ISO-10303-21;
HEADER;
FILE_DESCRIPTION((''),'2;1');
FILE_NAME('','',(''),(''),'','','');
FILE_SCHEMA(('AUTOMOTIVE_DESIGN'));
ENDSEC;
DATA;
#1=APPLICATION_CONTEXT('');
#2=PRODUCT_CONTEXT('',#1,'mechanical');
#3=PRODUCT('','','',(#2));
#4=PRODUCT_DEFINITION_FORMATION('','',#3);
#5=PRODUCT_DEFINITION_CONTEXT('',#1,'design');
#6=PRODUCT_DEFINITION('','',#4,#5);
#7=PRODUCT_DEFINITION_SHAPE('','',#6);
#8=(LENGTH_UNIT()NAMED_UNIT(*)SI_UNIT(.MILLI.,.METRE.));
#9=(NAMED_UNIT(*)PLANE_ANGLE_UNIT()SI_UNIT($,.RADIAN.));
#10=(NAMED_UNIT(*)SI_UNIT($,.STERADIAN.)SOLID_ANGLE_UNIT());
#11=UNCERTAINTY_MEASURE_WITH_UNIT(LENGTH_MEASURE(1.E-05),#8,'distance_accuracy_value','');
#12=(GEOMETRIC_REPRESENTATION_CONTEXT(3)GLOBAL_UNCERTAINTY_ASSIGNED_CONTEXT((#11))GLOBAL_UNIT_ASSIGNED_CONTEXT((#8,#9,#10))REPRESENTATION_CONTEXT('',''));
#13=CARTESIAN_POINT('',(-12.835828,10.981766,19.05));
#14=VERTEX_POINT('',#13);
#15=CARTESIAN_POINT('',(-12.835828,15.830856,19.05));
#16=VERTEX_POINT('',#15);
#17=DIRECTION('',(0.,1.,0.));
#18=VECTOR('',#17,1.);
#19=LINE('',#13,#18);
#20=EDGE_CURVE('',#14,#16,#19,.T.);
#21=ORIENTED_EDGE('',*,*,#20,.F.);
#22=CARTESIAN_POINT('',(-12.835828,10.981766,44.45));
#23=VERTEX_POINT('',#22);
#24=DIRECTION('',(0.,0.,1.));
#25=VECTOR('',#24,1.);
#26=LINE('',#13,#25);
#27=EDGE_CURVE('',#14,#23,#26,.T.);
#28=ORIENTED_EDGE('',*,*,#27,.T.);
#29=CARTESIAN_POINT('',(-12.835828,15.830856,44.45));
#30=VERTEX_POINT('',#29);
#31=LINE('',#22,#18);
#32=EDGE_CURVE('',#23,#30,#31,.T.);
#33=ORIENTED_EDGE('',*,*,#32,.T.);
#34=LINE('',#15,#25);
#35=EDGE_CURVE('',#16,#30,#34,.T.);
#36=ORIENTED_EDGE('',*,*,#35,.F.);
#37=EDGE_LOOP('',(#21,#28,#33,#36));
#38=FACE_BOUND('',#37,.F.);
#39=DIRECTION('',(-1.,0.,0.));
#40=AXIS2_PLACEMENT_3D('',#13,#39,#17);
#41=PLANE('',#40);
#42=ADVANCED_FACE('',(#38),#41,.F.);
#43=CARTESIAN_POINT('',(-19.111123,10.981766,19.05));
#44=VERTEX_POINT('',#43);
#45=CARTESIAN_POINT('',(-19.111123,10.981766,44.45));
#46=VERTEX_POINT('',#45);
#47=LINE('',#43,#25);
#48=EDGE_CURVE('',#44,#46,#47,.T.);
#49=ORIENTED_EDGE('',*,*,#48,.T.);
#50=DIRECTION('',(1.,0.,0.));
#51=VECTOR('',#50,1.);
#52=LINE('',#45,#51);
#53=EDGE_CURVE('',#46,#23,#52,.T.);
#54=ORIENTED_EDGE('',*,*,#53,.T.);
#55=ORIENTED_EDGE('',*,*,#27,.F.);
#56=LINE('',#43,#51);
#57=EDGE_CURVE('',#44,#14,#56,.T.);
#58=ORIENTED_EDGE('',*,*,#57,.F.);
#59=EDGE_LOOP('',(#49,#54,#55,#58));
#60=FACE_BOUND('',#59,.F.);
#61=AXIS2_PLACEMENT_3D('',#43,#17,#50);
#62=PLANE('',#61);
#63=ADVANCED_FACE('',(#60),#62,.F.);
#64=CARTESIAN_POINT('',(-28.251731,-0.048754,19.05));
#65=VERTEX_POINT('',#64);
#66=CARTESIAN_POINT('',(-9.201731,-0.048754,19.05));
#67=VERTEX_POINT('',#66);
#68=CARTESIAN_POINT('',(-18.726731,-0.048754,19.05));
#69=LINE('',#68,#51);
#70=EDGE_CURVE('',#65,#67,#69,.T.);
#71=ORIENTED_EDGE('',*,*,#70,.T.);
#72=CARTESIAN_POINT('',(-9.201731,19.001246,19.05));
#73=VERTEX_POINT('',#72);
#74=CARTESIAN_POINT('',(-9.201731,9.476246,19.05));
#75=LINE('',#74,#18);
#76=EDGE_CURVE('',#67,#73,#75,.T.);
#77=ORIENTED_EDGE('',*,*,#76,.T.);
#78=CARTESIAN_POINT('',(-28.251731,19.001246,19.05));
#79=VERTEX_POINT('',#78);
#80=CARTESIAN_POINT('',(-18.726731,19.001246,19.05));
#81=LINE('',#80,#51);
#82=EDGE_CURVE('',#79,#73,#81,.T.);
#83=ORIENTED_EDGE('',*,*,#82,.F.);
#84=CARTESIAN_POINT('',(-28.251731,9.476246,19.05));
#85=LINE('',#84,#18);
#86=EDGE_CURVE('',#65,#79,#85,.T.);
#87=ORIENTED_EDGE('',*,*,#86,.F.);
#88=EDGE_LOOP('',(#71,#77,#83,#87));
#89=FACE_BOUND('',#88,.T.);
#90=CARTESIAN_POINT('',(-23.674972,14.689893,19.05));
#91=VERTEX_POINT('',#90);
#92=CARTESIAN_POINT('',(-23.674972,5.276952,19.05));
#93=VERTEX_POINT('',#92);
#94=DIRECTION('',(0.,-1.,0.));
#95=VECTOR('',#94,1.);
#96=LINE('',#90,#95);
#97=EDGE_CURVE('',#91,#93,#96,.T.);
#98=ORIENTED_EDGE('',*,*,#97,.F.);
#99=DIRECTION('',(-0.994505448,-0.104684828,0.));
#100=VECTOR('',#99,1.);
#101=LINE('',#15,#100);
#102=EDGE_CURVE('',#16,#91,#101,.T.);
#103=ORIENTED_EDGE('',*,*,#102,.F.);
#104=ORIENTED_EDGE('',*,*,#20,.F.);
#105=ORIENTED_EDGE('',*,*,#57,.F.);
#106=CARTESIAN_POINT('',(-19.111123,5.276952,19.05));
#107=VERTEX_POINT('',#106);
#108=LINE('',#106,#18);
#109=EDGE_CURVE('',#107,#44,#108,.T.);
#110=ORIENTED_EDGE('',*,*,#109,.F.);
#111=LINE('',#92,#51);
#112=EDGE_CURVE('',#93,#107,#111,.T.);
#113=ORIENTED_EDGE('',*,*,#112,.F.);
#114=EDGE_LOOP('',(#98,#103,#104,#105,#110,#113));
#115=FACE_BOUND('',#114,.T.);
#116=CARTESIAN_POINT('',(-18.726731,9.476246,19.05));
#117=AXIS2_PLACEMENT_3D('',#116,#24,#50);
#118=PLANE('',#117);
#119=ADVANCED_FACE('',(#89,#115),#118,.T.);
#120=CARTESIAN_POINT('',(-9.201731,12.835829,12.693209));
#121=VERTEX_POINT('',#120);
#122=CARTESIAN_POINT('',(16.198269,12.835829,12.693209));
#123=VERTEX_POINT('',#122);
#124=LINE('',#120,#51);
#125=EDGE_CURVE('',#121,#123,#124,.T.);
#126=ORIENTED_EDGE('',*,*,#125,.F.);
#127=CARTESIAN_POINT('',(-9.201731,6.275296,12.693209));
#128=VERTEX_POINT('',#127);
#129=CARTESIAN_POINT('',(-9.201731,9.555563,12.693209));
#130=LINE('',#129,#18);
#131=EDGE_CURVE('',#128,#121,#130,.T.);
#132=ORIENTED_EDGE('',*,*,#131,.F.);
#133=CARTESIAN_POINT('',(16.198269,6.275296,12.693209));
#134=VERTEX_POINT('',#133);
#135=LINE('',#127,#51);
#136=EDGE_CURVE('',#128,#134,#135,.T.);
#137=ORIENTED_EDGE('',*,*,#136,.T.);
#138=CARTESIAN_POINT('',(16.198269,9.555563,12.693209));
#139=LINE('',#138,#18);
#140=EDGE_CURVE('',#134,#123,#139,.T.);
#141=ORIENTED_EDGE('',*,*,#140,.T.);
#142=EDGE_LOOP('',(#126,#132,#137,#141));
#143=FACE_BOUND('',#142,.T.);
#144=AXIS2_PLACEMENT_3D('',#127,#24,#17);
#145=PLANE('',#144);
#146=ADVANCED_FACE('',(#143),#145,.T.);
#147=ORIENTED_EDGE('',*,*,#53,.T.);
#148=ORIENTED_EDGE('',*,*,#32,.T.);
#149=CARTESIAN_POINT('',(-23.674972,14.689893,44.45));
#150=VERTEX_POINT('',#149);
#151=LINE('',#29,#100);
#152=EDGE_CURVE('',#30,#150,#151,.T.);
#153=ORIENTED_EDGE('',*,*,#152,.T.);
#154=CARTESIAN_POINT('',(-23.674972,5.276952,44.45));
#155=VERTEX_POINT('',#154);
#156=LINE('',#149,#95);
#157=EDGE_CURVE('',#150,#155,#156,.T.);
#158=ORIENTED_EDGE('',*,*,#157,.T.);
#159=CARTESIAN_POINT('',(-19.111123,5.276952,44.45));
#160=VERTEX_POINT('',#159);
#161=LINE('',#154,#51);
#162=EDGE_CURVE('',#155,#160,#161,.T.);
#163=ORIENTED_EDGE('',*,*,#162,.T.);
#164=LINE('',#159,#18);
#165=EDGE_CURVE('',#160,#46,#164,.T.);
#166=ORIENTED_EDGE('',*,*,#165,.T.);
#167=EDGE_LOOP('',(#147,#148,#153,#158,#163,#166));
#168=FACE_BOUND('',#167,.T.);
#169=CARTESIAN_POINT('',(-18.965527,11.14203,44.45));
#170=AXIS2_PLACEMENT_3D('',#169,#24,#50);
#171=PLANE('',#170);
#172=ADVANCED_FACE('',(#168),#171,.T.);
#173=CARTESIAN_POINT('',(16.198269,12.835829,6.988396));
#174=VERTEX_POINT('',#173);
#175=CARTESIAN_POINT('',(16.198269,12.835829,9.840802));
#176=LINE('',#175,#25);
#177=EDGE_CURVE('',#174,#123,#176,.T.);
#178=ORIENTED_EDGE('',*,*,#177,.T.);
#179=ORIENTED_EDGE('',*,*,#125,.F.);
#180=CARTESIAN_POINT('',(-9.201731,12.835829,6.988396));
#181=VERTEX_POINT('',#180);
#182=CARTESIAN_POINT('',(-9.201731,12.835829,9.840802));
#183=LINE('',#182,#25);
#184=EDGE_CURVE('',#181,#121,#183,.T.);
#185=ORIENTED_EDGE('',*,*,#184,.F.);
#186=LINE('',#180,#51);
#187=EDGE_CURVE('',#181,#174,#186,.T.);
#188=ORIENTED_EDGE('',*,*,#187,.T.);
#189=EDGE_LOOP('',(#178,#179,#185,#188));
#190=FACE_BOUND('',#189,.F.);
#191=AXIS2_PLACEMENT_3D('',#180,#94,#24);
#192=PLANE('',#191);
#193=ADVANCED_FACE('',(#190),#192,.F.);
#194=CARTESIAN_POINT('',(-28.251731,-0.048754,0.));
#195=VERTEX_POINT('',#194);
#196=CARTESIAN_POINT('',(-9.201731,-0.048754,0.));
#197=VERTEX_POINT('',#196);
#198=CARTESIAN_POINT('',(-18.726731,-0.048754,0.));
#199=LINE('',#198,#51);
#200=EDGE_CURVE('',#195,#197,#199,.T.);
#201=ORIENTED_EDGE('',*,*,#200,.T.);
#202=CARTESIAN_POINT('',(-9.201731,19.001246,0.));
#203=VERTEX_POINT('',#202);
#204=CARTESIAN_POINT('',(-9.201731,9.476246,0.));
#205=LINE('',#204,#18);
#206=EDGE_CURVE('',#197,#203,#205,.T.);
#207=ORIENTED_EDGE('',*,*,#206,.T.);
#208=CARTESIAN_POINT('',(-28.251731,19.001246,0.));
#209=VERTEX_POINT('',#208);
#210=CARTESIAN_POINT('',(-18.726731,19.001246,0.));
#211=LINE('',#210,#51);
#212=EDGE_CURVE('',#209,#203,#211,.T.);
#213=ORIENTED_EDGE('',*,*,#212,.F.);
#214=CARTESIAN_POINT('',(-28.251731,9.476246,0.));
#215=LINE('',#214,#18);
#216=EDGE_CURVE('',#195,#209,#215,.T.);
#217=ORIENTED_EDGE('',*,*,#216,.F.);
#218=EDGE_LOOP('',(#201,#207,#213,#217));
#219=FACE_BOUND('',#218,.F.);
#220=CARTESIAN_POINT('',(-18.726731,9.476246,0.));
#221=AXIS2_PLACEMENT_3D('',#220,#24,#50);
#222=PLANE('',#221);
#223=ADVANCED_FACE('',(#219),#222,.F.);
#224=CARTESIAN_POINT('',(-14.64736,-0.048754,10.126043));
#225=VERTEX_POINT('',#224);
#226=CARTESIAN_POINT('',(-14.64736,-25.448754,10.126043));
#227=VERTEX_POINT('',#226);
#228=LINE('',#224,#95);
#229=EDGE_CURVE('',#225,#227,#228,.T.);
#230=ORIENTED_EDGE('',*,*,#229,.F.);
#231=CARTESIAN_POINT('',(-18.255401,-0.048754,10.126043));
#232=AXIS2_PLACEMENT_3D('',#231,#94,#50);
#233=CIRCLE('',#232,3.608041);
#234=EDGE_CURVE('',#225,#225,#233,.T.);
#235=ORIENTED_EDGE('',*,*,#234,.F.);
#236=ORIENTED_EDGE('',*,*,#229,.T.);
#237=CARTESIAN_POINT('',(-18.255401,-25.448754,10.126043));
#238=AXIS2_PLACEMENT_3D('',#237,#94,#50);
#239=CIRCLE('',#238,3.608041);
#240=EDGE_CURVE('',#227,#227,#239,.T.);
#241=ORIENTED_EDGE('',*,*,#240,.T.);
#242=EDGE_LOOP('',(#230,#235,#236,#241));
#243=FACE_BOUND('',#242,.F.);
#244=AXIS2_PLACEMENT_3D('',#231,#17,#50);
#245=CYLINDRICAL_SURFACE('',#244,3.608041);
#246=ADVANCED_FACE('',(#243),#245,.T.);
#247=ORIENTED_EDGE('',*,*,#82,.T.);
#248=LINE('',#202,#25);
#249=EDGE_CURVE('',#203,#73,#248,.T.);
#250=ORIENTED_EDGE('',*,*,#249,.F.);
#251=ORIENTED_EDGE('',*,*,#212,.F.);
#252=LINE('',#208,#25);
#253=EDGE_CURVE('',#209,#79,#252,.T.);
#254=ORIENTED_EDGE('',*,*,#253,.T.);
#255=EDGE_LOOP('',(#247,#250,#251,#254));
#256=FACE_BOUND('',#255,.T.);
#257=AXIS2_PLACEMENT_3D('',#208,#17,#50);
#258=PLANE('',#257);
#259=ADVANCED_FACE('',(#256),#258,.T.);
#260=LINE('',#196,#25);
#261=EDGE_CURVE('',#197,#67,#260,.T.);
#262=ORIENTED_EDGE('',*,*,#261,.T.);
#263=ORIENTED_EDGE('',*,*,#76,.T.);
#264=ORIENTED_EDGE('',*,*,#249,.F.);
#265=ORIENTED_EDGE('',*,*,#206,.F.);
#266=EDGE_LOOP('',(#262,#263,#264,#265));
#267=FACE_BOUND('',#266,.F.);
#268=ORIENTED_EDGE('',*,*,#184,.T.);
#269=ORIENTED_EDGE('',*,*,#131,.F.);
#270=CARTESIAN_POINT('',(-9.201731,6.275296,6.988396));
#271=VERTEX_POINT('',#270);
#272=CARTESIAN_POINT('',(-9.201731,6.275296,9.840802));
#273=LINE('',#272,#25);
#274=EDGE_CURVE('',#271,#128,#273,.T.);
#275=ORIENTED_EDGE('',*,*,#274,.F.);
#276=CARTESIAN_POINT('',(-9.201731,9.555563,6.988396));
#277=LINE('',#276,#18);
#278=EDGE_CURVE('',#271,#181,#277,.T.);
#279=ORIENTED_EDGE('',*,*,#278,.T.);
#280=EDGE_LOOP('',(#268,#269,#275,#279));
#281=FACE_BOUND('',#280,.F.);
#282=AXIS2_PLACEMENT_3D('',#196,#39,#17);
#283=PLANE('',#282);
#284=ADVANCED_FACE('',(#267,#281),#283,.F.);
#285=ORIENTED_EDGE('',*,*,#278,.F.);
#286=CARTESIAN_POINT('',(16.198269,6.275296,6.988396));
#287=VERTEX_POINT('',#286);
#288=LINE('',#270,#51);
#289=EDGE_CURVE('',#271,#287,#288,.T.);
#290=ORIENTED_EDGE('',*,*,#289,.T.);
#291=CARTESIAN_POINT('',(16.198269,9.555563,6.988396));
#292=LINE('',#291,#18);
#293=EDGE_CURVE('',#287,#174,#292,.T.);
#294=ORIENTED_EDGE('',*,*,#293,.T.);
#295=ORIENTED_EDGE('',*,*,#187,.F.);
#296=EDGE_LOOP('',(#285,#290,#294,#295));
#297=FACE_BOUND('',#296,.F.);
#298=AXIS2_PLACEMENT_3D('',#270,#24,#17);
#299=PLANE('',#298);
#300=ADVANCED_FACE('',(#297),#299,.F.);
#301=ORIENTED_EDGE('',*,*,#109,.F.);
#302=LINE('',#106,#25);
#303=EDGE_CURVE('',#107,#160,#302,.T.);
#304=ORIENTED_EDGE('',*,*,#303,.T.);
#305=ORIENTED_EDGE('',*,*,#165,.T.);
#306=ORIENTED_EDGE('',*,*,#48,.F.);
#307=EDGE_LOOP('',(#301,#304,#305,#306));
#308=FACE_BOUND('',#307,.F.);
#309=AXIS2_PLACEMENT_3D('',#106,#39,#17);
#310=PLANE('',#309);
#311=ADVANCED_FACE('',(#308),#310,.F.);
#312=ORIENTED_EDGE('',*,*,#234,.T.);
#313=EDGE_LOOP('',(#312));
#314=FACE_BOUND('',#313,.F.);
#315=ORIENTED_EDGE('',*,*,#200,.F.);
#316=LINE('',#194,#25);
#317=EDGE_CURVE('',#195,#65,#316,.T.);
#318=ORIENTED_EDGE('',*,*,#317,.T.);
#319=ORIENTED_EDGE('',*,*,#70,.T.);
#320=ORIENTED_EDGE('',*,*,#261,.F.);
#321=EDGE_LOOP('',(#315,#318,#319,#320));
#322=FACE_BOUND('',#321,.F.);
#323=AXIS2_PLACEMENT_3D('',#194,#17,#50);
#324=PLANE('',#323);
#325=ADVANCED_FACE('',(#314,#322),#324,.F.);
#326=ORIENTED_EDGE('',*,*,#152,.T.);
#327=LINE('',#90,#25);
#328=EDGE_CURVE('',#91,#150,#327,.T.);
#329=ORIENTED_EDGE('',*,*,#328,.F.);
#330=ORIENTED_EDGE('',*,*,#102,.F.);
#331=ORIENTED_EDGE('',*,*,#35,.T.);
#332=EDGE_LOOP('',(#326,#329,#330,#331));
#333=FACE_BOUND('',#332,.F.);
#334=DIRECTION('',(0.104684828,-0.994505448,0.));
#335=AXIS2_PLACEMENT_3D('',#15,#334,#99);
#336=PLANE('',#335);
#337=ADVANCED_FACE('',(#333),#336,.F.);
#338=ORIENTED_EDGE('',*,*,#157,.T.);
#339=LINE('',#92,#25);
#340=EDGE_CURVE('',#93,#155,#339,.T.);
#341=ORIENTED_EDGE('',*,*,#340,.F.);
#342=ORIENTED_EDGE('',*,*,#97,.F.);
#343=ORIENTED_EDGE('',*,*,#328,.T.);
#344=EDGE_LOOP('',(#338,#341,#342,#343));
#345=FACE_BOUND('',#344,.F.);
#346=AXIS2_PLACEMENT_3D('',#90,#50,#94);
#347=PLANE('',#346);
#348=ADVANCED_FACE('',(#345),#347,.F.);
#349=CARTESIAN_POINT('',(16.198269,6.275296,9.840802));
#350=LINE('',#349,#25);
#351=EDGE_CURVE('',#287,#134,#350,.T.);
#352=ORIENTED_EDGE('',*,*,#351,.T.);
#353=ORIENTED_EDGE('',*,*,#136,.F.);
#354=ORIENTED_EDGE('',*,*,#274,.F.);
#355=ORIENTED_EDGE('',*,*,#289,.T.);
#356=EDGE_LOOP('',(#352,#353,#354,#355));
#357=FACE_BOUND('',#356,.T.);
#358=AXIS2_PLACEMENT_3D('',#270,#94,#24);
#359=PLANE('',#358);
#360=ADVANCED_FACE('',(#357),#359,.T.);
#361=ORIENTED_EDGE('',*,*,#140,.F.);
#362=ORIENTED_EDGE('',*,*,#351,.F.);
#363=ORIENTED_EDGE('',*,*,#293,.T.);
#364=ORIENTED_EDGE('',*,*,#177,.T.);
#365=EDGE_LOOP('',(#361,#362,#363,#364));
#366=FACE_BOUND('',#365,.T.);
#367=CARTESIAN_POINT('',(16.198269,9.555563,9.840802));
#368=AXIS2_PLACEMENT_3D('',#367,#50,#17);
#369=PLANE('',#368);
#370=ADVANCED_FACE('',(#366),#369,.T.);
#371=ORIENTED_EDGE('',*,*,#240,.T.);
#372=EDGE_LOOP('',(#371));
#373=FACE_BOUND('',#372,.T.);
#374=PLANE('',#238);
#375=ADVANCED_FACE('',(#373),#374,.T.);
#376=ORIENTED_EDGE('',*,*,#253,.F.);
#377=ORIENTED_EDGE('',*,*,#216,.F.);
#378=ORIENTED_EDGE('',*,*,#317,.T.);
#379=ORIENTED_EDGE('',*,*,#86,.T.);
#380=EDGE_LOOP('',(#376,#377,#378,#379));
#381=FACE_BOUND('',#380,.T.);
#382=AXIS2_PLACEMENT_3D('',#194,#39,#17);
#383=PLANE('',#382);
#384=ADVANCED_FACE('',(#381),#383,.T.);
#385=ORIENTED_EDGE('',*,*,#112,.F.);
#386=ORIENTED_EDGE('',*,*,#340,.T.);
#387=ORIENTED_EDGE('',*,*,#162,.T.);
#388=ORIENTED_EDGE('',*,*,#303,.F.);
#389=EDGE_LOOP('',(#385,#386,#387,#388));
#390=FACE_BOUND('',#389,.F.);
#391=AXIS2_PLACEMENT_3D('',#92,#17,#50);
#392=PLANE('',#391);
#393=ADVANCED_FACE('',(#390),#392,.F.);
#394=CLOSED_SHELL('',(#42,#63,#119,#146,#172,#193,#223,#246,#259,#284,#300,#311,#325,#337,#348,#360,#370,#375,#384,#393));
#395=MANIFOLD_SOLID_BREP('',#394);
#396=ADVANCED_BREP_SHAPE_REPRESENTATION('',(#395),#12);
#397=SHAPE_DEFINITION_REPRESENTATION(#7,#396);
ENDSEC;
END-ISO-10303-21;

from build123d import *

# Parameters (mm, degrees)
F0_W     = 19.05
F0_H     = 19.05
F1_DEPTH = 19.05
F2_R     = 3.608041
F3_DEPTH = 25.4
F4_W     = 6.560533
F4_H     = 5.704813
F5_DEPTH = 25.4
F7_DEPTH = 25.4


with BuildPart() as f1:
    # F0 (on Top) → F1 (new body)
    with BuildSketch(Plane.XY):
        with Locations((-18.726731, 9.476246)):
            Rectangle(F0_W, F0_H)
    extrude(amount=F1_DEPTH)

    # F2 (on face) → F3 (join)
    with BuildSketch(Plane.XZ.offset(0.048754)):
        with Locations((-18.255401, 10.126043)):
            Circle(F2_R)
    extrude(amount=F3_DEPTH)

    # F4 (on face) → F5 (join)
    with BuildSketch(Plane.YZ.offset(-9.201731)):
        with Locations((9.555563, 9.840802)):
            Rectangle(F4_W, F4_H)
    extrude(amount=F5_DEPTH)

    # F6 (on face) → F7 (join)
    with BuildSketch(Plane.XY.offset(19.05)):
        Polygon((-12.835828, 15.830856), (-23.674972, 14.689893), (-23.674972, 5.276952), (-19.111123, 5.276952), (-19.111123, 10.981766), (-12.835828, 10.981766), align=None)
    extrude(amount=F7_DEPTH)


solid = f1.part
